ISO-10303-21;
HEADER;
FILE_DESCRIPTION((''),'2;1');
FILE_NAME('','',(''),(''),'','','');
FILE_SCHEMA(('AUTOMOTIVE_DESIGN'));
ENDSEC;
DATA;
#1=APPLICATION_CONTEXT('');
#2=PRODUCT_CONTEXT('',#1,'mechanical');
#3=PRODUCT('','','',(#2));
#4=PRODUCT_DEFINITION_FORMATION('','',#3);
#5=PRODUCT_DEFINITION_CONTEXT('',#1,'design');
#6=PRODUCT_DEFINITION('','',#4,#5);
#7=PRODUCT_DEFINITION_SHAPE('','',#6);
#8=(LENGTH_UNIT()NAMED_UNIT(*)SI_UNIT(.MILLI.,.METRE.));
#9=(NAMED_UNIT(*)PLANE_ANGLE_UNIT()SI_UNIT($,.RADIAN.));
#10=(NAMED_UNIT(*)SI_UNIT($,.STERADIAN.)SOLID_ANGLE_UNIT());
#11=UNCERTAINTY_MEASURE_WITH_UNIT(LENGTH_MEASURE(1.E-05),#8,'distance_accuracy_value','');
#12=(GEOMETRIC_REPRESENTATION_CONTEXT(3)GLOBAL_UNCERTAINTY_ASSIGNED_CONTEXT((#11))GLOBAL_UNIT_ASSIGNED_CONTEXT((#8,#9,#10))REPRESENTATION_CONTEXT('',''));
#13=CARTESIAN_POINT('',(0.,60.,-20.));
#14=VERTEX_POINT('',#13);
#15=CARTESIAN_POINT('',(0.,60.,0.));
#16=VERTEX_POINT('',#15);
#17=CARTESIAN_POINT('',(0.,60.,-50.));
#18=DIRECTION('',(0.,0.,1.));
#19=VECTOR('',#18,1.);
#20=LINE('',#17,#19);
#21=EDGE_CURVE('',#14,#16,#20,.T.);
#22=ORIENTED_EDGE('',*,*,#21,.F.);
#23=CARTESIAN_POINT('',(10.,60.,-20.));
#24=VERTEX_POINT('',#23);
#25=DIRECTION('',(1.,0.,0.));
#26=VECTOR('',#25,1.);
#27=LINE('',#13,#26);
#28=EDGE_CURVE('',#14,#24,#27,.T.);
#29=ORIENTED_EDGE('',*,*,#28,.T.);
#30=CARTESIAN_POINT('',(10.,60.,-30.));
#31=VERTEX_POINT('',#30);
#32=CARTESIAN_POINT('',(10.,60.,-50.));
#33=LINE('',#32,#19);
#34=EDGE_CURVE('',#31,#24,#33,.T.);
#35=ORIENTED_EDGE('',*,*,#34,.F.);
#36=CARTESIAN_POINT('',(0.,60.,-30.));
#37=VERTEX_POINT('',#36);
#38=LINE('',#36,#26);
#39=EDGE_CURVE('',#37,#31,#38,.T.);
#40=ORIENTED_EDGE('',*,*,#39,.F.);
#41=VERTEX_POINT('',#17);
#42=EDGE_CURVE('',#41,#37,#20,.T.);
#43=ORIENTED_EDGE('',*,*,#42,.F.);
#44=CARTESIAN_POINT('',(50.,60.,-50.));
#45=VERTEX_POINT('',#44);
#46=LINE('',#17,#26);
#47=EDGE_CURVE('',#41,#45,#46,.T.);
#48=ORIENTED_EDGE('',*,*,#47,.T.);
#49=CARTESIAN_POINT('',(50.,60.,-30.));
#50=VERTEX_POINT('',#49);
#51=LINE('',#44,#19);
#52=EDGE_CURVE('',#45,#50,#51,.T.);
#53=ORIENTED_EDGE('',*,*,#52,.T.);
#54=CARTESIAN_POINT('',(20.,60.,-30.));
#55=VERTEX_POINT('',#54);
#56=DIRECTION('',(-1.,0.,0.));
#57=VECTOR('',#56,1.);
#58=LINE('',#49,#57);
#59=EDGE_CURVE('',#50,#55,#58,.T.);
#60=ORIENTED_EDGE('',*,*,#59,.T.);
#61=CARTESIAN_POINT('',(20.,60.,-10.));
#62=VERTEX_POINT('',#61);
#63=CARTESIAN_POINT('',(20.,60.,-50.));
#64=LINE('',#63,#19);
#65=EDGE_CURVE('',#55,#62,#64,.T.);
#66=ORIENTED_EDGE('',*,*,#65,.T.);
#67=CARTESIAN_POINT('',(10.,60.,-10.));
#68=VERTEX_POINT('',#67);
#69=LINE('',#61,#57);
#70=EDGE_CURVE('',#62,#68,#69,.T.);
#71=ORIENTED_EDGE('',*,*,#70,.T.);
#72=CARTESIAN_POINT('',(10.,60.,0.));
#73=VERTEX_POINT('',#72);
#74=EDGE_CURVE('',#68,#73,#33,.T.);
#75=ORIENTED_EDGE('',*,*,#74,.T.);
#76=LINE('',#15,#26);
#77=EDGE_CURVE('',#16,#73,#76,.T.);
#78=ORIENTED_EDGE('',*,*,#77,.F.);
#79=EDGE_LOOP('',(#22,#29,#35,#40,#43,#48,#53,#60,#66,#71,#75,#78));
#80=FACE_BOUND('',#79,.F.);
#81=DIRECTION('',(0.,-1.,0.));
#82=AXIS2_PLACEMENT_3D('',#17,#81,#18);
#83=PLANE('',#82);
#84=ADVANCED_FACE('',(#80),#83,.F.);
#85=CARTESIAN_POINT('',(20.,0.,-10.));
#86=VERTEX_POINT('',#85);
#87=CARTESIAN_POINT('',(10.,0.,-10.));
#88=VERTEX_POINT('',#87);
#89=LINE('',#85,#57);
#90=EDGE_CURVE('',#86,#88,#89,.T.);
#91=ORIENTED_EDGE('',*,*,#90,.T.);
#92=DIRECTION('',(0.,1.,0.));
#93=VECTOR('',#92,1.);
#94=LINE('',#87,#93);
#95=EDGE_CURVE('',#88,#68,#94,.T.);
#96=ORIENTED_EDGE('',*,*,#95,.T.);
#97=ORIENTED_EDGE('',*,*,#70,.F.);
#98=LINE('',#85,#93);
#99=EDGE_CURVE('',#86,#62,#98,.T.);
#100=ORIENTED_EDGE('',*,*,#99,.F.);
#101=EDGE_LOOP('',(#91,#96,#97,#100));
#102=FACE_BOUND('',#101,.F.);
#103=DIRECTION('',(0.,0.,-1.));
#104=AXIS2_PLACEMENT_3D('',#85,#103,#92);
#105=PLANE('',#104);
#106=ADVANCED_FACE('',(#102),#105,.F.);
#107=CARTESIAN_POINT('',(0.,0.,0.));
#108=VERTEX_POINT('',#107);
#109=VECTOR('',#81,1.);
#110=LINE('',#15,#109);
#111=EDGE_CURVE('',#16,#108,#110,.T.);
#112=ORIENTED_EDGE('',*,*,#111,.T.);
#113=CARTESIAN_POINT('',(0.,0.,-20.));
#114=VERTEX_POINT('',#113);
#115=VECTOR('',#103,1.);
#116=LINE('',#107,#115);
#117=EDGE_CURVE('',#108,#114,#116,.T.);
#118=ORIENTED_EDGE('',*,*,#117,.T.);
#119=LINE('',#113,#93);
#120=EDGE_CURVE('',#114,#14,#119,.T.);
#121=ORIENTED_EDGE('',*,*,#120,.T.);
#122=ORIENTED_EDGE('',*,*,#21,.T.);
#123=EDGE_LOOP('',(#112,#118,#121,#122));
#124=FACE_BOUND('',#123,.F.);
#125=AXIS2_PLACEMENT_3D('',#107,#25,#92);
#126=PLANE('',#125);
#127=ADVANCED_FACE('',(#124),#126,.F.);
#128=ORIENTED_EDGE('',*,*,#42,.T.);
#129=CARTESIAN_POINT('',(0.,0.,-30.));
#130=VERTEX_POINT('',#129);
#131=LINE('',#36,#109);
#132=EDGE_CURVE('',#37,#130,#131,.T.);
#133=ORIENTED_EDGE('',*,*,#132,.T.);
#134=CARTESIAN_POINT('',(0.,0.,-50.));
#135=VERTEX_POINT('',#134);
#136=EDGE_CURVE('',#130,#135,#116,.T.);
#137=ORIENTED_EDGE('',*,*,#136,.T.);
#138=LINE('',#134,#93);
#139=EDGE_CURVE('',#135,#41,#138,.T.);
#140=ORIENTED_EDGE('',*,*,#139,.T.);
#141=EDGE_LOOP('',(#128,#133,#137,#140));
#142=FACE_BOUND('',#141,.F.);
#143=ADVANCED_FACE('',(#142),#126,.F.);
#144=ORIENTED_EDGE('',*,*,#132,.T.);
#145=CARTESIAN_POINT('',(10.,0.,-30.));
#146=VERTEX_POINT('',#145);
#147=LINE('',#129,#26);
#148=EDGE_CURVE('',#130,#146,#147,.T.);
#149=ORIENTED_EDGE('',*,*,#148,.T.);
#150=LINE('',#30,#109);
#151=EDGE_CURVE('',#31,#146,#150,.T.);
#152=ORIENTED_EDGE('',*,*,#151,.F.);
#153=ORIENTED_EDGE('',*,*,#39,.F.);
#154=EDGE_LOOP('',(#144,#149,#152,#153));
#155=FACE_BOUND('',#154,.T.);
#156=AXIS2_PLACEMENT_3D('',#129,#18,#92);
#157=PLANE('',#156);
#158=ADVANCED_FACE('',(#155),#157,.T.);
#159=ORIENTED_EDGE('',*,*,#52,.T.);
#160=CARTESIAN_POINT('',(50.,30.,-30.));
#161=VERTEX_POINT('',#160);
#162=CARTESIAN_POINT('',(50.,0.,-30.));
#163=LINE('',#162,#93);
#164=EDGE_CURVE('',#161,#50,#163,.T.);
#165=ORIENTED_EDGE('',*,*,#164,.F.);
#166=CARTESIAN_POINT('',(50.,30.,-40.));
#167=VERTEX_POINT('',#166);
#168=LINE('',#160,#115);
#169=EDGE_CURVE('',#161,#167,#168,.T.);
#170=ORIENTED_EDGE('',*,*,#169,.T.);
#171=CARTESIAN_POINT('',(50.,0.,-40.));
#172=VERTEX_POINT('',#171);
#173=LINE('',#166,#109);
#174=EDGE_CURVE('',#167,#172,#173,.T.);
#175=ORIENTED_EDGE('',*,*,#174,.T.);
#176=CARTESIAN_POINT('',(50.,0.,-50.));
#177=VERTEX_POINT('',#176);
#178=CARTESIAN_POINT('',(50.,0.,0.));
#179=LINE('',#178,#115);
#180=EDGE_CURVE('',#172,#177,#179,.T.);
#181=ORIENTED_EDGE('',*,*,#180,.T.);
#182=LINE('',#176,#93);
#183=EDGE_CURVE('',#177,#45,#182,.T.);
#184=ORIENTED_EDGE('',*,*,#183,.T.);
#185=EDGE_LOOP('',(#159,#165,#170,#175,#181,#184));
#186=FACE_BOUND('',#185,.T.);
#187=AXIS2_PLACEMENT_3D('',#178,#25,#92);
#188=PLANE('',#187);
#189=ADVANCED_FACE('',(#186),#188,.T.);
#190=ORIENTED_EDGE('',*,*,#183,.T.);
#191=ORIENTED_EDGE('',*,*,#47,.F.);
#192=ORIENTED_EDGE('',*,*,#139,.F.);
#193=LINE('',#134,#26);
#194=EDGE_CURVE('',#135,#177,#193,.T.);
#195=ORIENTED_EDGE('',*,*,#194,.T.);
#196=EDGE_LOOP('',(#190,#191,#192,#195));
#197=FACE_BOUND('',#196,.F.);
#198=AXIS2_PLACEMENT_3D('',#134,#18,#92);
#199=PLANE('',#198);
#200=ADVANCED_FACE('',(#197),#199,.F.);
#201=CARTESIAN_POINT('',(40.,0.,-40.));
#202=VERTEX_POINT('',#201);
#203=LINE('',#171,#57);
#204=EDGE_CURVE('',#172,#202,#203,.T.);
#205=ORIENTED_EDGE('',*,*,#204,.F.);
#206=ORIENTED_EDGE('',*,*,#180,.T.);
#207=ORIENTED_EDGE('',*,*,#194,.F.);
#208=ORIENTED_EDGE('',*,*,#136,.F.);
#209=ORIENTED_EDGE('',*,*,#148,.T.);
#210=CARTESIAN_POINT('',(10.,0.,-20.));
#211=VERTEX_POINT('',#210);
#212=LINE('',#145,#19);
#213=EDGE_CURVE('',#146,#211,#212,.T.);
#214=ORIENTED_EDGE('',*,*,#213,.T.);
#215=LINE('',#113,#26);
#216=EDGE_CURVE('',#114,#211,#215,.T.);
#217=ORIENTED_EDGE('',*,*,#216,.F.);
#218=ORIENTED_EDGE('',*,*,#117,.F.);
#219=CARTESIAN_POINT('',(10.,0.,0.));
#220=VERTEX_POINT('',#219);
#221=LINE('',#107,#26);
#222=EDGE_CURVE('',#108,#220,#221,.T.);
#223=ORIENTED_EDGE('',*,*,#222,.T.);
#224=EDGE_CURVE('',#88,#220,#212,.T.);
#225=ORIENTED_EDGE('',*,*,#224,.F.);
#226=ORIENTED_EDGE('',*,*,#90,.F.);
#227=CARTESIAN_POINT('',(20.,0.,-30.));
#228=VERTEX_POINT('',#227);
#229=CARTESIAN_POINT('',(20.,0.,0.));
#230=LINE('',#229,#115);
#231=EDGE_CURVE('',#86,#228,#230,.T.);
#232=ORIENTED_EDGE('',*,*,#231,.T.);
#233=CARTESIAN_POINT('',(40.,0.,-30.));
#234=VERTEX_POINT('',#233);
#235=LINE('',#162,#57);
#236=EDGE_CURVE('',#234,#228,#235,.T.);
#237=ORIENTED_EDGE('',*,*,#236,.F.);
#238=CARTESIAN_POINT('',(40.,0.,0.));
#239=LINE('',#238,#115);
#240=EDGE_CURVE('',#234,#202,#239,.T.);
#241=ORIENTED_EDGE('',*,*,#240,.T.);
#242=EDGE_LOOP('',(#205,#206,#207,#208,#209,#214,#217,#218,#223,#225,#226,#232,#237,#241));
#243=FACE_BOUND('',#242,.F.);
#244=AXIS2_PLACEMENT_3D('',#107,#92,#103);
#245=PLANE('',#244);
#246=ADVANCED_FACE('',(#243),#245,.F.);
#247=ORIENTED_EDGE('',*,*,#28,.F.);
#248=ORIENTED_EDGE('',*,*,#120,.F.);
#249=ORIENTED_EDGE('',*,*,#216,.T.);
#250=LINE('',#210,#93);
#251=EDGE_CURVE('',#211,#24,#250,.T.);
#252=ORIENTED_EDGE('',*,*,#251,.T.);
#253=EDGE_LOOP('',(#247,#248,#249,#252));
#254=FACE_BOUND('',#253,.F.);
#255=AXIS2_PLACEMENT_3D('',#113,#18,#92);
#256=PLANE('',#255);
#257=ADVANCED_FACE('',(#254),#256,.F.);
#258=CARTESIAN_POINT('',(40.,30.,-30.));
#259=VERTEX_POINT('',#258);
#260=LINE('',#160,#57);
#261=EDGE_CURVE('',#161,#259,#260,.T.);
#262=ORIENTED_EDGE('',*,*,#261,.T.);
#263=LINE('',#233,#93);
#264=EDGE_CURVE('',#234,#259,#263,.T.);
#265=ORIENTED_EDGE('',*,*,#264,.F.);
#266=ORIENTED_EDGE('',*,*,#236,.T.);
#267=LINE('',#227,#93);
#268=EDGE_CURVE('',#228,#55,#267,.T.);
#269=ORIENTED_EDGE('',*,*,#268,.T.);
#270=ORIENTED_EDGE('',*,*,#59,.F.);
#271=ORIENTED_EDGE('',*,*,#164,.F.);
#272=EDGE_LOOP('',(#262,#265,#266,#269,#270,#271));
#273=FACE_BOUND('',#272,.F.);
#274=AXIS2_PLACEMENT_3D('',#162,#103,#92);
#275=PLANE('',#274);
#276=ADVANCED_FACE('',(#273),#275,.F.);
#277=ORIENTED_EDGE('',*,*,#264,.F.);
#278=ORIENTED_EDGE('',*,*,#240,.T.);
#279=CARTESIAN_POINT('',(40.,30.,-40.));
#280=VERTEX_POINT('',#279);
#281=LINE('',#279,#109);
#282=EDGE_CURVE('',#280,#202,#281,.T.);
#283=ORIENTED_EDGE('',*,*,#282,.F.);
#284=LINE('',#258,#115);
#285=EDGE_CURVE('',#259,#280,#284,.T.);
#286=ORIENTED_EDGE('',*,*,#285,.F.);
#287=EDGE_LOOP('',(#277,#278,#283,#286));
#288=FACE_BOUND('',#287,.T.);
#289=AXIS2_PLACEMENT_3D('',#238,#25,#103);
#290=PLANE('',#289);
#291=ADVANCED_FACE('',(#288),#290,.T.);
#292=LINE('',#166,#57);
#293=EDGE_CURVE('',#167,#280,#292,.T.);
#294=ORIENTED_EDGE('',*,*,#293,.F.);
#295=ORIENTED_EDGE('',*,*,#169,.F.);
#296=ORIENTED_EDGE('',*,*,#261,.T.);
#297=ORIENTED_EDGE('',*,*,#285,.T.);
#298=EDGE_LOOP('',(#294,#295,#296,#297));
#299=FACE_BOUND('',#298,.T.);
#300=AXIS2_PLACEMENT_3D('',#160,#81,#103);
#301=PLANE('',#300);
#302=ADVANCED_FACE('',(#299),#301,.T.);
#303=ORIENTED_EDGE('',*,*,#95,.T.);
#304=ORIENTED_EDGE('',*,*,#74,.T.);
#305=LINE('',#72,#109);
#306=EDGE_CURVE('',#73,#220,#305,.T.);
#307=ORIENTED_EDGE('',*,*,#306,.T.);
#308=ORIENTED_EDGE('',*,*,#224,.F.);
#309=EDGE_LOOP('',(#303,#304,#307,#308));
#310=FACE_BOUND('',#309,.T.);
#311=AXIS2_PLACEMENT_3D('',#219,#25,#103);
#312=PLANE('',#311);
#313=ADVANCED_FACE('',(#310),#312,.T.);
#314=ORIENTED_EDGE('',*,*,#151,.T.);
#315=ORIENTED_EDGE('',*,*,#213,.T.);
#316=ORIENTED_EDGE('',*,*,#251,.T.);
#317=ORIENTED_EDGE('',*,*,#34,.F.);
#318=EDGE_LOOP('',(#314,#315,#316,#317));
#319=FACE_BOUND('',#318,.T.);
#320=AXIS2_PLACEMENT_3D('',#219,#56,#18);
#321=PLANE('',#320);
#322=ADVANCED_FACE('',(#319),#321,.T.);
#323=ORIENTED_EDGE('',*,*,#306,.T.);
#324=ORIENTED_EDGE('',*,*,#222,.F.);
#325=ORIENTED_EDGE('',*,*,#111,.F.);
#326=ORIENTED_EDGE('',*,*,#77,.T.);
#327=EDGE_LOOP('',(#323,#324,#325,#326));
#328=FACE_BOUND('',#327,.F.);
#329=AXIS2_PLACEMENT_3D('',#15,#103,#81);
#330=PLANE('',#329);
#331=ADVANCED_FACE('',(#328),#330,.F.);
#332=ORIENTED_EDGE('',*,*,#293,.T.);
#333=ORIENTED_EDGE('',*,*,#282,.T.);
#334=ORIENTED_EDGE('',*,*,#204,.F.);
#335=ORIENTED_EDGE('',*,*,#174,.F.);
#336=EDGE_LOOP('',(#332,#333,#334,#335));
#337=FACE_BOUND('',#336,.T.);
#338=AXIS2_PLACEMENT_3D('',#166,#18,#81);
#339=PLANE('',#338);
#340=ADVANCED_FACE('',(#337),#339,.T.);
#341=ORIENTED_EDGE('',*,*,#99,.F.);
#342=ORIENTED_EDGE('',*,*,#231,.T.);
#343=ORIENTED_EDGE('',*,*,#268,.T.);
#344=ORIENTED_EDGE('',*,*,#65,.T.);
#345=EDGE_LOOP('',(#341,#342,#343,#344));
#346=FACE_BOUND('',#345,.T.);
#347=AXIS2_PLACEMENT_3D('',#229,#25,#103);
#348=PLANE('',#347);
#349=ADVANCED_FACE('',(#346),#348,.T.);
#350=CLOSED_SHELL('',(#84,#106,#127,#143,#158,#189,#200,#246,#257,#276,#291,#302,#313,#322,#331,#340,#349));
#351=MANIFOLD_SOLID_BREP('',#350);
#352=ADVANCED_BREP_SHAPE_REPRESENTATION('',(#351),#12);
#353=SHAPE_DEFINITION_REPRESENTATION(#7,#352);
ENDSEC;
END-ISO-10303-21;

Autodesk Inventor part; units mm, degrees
ref_plane "YZ Plane" through (0, 0, 0) normal (1, 0, 0) x (0, 1, 0)
ref_plane "XZ Plane" through (0, 0, 0) normal (0, 1, 0) x (-1, 0, 0)
ref_plane "XY Plane" through (0, 0, 0) normal (0, 0, 1) x (1, 0, 0)
sketch "Náčrt1" plane through (0, 0, 0) normal (1, 0, 0) x (0, 1, 0)
  line L0 (0, 0) -> (0, -50)
  line L1 (0, -50) -> (60, -50)
  line L2 (60, -50) -> (60, 0)
  line L3 (60, 0) -> (0, 0)
  dimension "d0" = 50
  dimension "d1" = 60
extrude "Vysunutí1" add sketch "Náčrt1" along normal blind 50
sketch "Náčrt2" plane through (50, 0, 0) normal (1, 0, 0) x (0, 0, -1)
  line L0 (50, 0) -> (50, 60) projected
  line L1 (50, 60) -> (50, 30)
  line L2 (50, 30) -> (40, 30)
  line L3 (40, 30) -> (40, 0)
  line L4 (0, 0) -> (50, 0) projected
  line L5 (40, 0) -> (30, 0)
  line L6 (30, 0) -> (30, 30)
  line L7 (30, 30) -> (40, 30)
  dimension "d4" = 30
  dimension "d5" = 10
  dimension "d6" = 10
extrude "Vysunutí2" cut sketch "Náčrt2" against normal blind 10 contours L4 L6 L7 L3
sketch "Náčrt3" plane through (50, 0, 0) normal (1, 0, 0) x (0, 0, -1)
  point P0 (0, 0)
sketch "Náčrt4" plane through (50, 0, 0) normal (1, 0, 0) x (0, 0, -1)
  line L0 (0, 0) -> (30, 0) projected
  line L1 (0, 0) -> (30, 0)
  line L2 (30, 0) -> (30, 60)
  line L3 (50, 60) -> (0, 60) projected
  line L4 (0, 60) -> (0, 0) projected
  line L5 (30, 60) -> (0, 60)
  line L6 (0, 60) -> (0, 0)
  dimension "d9" = 30
extrude "Vysunutí3" cut sketch "Náčrt4" against normal blind 30
sketch "Náčrt5" plane through (20, 0, 0) normal (1, 0, 0) x (0, 0, -1)
  line L0 (30, 0) -> (0, 0) projected
  line L1 (0, 0) -> (10, 0)
  line L2 (10, 0) -> (10, 60)
  line L3 (50, 60) -> (0, 60) projected
  line L4 (0, 60) -> (0, 0) projected
  line L5 (0, 60) -> (10, 60)
  line L6 (0, 60) -> (0, 0)
  dimension "d12" = 10
extrude "Vysunutí4" cut sketch "Náčrt5" against normal blind 10
sketch "Náčrt6" plane through (0, 0, 0) normal (-1, 0, 0) x (0, 0, 1)
  line L0 (-50, 60) -> (0, 60) projected
  line L1 (0, 60) -> (-20, 60)
  line L2 (-30, 60) -> (-30, 30) projected
  line L3 (-20, 60) -> (-30, 60)
  line L4 (-30, 0) -> (-30, 30) projected
  line L5 (-30, 60) -> (-30, 0)
  line L6 (-30, 0) -> (-20, 0)
  line L7 (-30, 0) -> (-10, 0) projected
  line L8 (-20, 0) -> (-20, 60)
  point P0 (0, 0)
  dimension "d15" = 20
  dimension "d16" = 10
extrude "Vysunutí5" cut sketch "Náčrt6" against normal blind 10
properties part number "Martin-Probst-26673_obrazek_3"
